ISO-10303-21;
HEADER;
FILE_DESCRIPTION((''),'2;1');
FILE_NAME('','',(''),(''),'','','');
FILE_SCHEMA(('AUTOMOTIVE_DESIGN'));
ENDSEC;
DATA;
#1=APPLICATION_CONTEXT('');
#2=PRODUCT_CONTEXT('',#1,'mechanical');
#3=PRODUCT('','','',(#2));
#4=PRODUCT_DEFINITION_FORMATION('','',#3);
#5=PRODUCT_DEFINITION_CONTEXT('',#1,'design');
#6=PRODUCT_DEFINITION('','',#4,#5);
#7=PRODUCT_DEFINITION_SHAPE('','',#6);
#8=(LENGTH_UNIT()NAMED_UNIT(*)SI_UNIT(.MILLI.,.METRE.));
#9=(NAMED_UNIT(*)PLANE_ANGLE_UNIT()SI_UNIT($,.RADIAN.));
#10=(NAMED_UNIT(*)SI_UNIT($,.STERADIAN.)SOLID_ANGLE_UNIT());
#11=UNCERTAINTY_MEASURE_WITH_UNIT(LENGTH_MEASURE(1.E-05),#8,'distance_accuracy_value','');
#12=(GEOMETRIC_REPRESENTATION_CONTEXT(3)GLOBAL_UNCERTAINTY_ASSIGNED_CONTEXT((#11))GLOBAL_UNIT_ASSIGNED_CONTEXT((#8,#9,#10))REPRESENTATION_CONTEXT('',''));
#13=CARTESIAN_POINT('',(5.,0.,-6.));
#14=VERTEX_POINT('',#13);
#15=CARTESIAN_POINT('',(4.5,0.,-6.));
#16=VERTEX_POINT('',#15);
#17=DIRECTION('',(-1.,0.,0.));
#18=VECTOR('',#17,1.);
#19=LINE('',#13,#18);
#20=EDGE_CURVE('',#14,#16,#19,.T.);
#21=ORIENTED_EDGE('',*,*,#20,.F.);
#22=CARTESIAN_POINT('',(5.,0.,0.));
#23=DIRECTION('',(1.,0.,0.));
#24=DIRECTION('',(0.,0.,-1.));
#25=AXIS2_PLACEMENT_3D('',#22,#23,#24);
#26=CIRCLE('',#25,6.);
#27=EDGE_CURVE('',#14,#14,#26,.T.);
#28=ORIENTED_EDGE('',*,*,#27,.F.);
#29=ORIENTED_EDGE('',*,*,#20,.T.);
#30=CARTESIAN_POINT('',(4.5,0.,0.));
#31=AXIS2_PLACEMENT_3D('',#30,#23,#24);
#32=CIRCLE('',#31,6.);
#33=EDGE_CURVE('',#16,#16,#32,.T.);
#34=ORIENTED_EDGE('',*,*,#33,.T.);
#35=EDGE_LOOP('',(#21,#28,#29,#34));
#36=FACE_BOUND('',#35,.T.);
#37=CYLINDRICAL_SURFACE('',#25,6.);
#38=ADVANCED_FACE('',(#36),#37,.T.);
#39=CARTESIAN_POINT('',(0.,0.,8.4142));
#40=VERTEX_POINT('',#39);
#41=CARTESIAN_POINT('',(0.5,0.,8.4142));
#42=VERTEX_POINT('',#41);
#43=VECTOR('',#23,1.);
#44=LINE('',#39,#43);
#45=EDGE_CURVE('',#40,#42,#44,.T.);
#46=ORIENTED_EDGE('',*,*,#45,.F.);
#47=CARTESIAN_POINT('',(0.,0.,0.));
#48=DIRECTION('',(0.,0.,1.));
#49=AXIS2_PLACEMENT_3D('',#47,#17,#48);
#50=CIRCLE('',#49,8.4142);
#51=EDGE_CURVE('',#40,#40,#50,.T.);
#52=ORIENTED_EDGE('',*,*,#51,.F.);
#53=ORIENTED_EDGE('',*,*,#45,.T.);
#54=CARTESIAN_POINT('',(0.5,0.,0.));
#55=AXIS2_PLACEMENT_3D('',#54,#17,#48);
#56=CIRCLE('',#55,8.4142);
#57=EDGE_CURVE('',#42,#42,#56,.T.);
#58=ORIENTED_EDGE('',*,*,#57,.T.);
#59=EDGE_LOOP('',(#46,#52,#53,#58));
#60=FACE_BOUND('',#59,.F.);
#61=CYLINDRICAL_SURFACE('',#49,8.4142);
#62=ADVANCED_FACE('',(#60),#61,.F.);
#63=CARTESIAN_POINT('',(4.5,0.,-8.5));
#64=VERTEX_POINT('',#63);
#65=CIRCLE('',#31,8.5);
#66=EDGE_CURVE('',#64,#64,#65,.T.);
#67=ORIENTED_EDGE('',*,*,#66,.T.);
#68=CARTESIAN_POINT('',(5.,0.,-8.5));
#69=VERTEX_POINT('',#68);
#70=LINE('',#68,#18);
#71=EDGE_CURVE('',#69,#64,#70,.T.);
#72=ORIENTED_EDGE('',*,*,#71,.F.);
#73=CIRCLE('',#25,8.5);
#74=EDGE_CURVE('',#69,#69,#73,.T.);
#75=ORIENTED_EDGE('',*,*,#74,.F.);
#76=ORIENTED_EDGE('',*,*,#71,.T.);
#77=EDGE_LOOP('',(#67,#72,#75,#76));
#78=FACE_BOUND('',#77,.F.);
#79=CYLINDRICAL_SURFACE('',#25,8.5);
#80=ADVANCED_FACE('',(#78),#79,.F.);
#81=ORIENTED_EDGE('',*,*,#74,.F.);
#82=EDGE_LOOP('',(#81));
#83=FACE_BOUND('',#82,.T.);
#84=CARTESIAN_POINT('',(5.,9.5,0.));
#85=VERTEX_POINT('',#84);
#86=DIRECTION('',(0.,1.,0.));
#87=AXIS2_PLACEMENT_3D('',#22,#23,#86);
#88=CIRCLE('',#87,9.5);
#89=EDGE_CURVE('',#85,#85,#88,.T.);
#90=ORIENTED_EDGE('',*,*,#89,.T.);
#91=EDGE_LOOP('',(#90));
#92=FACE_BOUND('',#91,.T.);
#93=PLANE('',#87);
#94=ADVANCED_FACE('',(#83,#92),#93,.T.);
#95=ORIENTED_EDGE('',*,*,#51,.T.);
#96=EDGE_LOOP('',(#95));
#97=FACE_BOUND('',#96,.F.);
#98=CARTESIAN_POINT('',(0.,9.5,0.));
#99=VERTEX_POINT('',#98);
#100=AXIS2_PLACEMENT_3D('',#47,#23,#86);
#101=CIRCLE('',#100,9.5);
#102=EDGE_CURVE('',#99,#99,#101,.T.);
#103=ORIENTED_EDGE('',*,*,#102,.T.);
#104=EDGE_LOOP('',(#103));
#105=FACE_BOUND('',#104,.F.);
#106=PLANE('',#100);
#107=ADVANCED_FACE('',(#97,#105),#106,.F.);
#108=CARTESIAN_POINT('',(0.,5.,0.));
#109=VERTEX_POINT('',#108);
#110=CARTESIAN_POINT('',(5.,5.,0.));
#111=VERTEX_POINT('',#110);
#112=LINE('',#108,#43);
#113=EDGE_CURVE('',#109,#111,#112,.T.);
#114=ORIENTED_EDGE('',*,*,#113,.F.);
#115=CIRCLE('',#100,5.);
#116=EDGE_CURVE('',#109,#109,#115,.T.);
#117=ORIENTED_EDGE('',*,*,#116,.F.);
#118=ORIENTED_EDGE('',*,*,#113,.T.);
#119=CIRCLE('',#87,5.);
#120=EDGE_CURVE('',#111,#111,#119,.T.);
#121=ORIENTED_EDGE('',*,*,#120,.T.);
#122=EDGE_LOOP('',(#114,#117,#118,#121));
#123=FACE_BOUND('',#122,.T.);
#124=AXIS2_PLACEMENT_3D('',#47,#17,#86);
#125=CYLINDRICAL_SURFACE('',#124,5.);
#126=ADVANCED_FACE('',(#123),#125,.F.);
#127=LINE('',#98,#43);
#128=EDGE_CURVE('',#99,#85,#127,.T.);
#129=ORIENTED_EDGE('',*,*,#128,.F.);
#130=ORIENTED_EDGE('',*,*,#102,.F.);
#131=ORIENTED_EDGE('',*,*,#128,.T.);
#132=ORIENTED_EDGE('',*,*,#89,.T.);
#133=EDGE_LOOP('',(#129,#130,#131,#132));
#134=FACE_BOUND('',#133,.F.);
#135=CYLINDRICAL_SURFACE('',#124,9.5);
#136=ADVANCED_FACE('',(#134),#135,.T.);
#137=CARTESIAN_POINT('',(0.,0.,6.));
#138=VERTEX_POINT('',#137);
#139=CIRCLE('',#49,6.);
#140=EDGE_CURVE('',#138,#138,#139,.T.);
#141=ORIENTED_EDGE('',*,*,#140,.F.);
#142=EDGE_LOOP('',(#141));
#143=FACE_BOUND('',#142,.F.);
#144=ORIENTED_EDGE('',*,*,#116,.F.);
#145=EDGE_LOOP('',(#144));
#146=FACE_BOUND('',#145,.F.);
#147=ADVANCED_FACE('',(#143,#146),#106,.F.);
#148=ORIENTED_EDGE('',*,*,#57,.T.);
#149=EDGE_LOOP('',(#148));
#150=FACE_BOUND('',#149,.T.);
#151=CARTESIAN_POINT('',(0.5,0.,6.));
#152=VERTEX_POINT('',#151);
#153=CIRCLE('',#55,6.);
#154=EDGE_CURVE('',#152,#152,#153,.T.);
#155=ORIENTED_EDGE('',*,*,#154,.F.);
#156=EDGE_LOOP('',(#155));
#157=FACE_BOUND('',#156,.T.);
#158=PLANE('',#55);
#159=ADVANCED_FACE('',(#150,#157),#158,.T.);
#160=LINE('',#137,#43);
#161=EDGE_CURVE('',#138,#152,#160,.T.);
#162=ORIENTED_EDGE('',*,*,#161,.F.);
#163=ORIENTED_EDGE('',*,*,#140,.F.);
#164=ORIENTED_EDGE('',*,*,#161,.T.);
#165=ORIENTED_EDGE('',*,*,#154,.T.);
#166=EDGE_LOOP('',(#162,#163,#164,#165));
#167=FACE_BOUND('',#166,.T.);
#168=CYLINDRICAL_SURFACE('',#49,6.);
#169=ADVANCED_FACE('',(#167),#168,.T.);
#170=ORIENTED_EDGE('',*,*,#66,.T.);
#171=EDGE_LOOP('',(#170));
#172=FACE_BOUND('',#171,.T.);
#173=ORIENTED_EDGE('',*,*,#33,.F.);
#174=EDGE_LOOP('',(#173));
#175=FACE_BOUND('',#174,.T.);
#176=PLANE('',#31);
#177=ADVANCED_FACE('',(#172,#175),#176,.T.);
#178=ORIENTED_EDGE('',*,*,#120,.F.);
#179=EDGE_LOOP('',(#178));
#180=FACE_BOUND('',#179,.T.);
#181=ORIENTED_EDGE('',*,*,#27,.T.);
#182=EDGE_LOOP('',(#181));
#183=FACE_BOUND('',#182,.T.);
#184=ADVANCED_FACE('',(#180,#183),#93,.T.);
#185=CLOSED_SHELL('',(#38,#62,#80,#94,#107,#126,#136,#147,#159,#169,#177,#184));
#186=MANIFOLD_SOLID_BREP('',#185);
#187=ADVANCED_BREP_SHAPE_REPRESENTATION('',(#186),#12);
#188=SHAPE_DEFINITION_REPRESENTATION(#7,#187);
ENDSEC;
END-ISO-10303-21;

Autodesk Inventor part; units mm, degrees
ref_plane "YZ Plane" through (0, 0, 0) normal (1, 0, 0) x (0, 1, 0)
ref_plane "XZ Plane" through (0, 0, 0) normal (0, 1, 0) x (-1, 0, 0)
ref_plane "XY Plane" through (0, 0, 0) normal (0, 0, 1) x (1, 0, 0)
sketch "Эскиз6" plane through (0, 0, 0) normal (1, 0, 0) x (0, 1, 0)
  circle A0 centre (0, 0) radius 9.5
  circle A1 centre (0, 0) radius 5
  dimension "d13" = 19
  dimension "d14" = 10
extrude "Выдавливание5" add sketch "Эскиз6" along normal blind 5
sketch "Эскиз7" plane through (5, 0, 0) normal (1, 0, 0) x (0, 0, -1)
  circle A0 centre (0, 0) radius 6
  circle A1 centre (0, 0) radius 8.5
  dimension "d17" = 12
  dimension "d18" = 17
extrude "Выдавливание6" cut sketch "Эскиз7" against normal blind 0.5
sketch "Эскиз8" plane through (0, 0, 0) normal (-1, 0, 0) x (0, 0, 1)
  circle A0 centre (0, 0) radius 6
  circle A1 centre (0, 0) radius 8.4142
extrude "Выдавливание7" cut sketch "Эскиз8" against normal blind 0.5
properties part number "подшипник для ведущих шестеренок" material "Титан"
